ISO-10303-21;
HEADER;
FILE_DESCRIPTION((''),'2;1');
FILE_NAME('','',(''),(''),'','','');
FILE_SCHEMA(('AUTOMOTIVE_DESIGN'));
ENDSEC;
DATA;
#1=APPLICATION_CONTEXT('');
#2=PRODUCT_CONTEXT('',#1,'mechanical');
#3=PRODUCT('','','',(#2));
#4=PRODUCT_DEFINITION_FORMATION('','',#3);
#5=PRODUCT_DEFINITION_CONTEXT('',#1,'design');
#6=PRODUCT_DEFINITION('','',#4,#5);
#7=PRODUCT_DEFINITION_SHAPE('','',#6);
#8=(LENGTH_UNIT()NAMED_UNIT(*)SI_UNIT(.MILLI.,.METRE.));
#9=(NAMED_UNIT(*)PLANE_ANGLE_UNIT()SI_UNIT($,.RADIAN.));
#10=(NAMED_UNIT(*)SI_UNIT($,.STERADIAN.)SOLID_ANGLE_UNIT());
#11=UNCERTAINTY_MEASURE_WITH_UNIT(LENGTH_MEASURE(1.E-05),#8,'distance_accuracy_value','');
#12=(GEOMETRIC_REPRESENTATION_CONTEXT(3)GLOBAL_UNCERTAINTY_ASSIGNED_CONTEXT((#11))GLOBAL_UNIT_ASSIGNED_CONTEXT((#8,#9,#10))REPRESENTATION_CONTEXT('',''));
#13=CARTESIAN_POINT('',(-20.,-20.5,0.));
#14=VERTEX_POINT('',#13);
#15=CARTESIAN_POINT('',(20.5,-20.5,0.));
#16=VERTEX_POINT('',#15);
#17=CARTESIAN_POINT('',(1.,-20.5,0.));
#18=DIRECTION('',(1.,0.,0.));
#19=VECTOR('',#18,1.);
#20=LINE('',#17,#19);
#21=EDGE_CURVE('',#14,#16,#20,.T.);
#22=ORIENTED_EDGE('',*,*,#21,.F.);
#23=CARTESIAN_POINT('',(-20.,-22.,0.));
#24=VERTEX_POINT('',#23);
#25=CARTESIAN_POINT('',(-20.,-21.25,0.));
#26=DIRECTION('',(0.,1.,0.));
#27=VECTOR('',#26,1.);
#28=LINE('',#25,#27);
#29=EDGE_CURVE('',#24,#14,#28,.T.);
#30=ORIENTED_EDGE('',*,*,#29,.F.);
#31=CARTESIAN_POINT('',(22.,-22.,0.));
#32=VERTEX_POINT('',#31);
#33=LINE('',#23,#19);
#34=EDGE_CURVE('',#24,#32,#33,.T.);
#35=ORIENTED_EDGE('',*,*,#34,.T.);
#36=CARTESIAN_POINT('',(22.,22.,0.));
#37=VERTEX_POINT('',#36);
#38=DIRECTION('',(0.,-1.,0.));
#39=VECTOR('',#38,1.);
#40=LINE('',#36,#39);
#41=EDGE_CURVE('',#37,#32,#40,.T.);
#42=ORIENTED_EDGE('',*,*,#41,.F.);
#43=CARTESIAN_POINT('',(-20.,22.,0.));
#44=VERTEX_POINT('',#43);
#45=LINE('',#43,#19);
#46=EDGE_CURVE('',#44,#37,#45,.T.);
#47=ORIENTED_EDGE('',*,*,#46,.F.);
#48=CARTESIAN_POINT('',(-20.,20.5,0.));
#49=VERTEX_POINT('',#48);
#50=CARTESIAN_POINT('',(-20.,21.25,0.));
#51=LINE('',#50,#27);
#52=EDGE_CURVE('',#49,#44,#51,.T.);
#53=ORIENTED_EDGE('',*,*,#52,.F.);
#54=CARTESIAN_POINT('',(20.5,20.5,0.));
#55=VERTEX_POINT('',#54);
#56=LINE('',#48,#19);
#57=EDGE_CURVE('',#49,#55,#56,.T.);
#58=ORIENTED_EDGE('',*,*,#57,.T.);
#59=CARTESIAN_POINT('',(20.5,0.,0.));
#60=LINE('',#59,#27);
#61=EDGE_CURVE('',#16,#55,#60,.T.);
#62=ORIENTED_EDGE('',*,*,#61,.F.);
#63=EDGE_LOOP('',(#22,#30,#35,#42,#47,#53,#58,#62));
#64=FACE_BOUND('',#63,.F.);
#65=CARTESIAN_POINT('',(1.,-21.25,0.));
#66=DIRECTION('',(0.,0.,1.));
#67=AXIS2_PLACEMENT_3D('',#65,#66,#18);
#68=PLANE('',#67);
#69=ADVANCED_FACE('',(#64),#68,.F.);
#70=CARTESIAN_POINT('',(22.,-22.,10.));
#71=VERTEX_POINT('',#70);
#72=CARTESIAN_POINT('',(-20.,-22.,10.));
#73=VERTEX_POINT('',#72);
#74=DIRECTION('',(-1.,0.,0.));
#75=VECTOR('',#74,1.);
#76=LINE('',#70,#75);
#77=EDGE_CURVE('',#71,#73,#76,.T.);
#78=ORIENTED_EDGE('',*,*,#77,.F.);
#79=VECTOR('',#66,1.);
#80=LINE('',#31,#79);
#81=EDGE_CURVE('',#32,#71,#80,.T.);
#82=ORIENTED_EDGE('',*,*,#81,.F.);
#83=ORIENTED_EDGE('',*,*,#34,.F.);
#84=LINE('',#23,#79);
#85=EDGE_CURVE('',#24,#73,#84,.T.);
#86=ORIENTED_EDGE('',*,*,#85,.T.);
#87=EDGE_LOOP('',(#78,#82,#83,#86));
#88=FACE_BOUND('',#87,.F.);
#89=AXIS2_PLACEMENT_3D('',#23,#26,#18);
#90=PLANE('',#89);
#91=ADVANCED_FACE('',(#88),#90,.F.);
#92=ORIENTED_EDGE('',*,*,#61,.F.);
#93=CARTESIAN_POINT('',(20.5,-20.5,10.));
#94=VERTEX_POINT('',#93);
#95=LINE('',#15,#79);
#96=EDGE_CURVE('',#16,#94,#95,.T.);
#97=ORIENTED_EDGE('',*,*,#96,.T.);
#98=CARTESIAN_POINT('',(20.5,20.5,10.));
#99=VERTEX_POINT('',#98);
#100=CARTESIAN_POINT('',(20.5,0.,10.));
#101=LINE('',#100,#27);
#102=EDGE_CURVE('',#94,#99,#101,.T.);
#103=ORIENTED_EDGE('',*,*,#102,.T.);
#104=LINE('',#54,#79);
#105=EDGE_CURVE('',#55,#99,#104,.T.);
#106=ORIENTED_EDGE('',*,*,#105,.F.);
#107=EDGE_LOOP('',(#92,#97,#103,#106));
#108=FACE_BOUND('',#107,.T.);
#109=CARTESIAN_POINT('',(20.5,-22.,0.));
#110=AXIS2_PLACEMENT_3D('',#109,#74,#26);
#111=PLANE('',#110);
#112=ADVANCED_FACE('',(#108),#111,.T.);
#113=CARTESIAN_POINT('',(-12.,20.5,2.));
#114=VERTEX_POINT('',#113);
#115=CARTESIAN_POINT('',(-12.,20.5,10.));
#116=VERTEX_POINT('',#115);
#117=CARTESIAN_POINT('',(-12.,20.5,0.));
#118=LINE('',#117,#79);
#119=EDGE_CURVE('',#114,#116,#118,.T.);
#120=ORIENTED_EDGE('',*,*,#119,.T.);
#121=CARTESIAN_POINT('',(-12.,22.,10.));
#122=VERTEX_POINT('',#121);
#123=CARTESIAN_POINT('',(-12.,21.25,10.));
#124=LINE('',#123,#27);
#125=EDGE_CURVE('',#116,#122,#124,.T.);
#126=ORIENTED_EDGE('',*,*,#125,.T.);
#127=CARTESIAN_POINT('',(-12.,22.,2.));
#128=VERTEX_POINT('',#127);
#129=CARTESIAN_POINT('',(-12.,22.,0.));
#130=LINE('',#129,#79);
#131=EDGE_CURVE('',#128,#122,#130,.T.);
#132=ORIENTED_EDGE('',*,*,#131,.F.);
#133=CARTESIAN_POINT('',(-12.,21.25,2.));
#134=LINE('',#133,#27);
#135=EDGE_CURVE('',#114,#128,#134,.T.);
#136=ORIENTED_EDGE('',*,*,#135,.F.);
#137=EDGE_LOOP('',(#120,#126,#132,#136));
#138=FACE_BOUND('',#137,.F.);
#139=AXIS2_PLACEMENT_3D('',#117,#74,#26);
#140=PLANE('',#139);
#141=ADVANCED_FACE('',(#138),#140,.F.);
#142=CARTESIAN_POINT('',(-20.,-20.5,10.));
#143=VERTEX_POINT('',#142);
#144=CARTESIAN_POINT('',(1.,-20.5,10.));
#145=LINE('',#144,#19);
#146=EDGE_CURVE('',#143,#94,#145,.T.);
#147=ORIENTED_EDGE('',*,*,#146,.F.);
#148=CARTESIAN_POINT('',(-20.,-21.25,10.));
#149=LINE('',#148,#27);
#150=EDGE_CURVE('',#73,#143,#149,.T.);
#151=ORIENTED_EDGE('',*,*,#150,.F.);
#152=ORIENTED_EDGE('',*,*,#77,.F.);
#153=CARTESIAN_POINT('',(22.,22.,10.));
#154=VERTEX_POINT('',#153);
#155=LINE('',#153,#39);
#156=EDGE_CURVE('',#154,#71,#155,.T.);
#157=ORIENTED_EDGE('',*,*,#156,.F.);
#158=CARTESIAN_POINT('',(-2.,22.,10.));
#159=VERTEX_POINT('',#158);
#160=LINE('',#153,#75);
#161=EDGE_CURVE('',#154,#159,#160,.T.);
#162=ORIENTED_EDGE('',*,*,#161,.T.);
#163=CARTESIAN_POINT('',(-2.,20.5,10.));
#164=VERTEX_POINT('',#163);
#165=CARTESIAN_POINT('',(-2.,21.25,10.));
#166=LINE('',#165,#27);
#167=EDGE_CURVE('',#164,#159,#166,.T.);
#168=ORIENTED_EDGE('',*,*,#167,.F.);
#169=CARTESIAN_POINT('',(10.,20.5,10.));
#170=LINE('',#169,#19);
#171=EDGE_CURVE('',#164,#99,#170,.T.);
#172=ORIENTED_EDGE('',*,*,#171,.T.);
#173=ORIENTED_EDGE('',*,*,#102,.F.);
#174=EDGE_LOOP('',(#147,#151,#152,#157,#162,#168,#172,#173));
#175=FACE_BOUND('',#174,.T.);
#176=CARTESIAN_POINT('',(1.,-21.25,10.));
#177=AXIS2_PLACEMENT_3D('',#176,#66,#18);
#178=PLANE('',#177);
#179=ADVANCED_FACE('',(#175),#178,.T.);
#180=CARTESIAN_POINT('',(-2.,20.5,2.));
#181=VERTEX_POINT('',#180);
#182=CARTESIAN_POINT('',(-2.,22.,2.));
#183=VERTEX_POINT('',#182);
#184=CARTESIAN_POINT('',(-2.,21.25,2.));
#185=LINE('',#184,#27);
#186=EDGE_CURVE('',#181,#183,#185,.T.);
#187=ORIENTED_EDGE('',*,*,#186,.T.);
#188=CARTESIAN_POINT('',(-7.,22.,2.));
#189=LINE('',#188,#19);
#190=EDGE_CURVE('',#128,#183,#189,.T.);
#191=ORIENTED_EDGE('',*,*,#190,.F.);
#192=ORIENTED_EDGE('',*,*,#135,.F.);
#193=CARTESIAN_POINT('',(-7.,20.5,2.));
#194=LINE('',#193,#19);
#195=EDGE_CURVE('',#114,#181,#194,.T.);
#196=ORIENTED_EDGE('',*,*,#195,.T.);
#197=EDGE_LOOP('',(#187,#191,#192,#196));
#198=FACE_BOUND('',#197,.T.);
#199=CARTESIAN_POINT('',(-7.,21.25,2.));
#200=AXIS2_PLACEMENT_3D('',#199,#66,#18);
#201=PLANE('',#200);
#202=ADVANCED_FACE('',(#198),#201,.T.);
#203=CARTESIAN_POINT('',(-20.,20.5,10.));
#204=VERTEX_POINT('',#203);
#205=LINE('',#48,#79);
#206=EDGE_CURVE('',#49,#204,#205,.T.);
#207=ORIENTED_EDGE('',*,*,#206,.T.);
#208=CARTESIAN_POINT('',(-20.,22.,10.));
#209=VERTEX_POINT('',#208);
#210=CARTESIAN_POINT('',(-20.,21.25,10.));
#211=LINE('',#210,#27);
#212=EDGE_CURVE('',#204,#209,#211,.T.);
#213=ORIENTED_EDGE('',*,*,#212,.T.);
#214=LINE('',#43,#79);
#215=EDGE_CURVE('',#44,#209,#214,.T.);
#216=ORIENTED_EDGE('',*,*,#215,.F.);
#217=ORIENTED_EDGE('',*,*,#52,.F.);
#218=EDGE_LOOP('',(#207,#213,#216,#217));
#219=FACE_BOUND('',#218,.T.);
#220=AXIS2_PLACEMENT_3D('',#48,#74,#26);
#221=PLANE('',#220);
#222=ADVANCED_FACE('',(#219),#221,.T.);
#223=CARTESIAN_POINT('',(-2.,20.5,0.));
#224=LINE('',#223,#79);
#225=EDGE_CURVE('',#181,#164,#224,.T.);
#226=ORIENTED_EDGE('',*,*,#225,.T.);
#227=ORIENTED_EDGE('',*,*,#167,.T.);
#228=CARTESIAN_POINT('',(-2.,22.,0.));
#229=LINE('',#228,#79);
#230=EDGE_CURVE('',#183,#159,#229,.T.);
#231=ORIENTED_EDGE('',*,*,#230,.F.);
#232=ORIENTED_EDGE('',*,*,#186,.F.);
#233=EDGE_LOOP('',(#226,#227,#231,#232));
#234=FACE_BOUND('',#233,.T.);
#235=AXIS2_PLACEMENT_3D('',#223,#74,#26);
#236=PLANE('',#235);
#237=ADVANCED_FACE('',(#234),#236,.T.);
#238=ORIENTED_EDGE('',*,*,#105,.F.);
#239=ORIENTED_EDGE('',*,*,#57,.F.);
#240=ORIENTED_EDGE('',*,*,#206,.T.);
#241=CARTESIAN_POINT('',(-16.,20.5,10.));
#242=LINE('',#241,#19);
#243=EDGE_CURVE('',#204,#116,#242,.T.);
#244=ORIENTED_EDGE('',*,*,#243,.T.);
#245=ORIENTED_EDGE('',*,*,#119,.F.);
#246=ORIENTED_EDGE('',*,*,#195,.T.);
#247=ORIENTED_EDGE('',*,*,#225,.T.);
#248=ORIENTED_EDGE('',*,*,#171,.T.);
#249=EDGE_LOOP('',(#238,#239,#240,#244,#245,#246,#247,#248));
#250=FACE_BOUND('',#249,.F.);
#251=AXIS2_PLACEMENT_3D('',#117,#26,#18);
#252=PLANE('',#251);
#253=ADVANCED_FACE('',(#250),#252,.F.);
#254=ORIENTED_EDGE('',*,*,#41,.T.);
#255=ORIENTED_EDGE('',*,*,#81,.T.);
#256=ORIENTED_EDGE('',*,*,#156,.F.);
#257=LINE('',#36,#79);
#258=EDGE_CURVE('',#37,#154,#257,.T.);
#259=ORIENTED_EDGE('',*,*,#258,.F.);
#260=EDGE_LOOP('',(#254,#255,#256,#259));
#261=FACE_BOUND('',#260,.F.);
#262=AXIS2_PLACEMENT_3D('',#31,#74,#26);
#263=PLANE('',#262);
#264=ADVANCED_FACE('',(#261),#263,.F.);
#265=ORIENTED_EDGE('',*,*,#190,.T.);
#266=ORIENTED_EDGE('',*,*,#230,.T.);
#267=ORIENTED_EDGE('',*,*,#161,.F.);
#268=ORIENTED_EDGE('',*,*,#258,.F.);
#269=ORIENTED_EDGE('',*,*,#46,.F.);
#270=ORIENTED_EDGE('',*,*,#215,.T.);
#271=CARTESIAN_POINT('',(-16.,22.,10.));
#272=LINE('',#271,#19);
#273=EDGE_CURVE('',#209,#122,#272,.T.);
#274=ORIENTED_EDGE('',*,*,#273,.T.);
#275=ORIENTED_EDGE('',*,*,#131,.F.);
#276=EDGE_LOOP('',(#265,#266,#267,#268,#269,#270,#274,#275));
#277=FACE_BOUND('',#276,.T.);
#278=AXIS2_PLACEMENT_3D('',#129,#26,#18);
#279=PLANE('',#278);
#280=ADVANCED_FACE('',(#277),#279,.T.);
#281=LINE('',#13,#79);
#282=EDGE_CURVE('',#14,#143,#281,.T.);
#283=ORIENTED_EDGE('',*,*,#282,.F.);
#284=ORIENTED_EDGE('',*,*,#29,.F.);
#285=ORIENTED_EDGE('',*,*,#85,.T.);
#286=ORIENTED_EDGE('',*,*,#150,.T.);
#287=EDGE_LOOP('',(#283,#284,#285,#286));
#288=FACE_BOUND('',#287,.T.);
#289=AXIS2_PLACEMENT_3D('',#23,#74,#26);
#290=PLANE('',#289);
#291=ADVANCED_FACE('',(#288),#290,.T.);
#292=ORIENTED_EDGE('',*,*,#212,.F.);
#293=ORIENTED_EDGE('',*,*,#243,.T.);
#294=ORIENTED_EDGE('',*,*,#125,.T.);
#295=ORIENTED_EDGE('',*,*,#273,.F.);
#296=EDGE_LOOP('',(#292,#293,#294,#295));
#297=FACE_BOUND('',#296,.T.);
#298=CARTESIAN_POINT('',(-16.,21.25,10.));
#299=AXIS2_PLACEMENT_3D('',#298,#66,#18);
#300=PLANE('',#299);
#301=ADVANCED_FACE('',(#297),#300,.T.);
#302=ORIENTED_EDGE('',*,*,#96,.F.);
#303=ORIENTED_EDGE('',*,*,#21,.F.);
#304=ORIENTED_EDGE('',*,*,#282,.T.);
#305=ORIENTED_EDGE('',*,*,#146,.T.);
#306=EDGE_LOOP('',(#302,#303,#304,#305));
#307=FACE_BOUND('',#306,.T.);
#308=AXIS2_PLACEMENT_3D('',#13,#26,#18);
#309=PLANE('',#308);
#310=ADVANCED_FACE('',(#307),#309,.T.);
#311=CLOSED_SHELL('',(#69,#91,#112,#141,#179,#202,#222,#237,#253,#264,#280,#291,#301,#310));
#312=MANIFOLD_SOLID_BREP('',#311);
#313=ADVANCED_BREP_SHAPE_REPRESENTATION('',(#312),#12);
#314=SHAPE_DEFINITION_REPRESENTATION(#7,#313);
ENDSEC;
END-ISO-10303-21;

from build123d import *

# Parameters (mm, degrees)
BOX010_W     = 24
BOX010_H     = 1.5
BOX010_DEPTH = 10
BOX011_W     = 10
BOX011_H     = 1.5
BOX011_DEPTH = 2
BOX007_W     = 42
BOX007_H     = 1.5
BOX007_DEPTH = 10
BOX009_W     = 1.5
BOX009_H     = 44
BOX009_DEPTH = 10
BOX008_W     = 8
BOX008_H     = 1.5
BOX008_DEPTH = 10


with BuildPart() as cube010:
    # Box010 → Box010 (new body)
    with BuildSketch(Plane(origin=(-2, 20.5, 0), x_dir=(1, 0, 0), z_dir=(0, 0, 1))):
        with Locations((12, 0.75)):
            Rectangle(BOX010_W, BOX010_H)
    extrude(amount=BOX010_DEPTH)


with BuildPart() as cube011:
    # Box011 → Box011 (new body)
    with BuildSketch(Plane(origin=(-12, 20.5, 0), x_dir=(1, 0, 0), z_dir=(0, 0, 1))):
        with Locations((5, 0.75)):
            Rectangle(BOX011_W, BOX011_H)
    extrude(amount=BOX011_DEPTH)


with BuildPart() as cube007:
    # Box007 → Box007 (new body)
    with BuildSketch(Plane(origin=(-20, -22, 0), x_dir=(1, 0, 0), z_dir=(0, 0, 1))):
        with Locations((21, 0.75)):
            Rectangle(BOX007_W, BOX007_H)
    extrude(amount=BOX007_DEPTH)


with BuildPart() as cube009:
    # Box009 → Box009 (new body)
    with BuildSketch(Plane(origin=(20.5, -22, 0), x_dir=(1, 0, 0), z_dir=(0, 0, 1))):
        with Locations((0.75, 22)):
            Rectangle(BOX009_W, BOX009_H)
    extrude(amount=BOX009_DEPTH)


with BuildPart() as fusion001:
    # Box008 → Box008 (new body)
    with BuildSketch(Plane(origin=(-20, 20.5, 0), x_dir=(1, 0, 0), z_dir=(0, 0, 1))):
        with Locations((4, 0.75)):
            Rectangle(BOX008_W, BOX008_H)
    extrude(amount=BOX008_DEPTH)

    # Fusion001: union Cube010, Cube011, Cube007, Cube009
    add(cube010.part)
    add(cube011.part)
    add(cube007.part)
    add(cube009.part)


solid = fusion001.part
